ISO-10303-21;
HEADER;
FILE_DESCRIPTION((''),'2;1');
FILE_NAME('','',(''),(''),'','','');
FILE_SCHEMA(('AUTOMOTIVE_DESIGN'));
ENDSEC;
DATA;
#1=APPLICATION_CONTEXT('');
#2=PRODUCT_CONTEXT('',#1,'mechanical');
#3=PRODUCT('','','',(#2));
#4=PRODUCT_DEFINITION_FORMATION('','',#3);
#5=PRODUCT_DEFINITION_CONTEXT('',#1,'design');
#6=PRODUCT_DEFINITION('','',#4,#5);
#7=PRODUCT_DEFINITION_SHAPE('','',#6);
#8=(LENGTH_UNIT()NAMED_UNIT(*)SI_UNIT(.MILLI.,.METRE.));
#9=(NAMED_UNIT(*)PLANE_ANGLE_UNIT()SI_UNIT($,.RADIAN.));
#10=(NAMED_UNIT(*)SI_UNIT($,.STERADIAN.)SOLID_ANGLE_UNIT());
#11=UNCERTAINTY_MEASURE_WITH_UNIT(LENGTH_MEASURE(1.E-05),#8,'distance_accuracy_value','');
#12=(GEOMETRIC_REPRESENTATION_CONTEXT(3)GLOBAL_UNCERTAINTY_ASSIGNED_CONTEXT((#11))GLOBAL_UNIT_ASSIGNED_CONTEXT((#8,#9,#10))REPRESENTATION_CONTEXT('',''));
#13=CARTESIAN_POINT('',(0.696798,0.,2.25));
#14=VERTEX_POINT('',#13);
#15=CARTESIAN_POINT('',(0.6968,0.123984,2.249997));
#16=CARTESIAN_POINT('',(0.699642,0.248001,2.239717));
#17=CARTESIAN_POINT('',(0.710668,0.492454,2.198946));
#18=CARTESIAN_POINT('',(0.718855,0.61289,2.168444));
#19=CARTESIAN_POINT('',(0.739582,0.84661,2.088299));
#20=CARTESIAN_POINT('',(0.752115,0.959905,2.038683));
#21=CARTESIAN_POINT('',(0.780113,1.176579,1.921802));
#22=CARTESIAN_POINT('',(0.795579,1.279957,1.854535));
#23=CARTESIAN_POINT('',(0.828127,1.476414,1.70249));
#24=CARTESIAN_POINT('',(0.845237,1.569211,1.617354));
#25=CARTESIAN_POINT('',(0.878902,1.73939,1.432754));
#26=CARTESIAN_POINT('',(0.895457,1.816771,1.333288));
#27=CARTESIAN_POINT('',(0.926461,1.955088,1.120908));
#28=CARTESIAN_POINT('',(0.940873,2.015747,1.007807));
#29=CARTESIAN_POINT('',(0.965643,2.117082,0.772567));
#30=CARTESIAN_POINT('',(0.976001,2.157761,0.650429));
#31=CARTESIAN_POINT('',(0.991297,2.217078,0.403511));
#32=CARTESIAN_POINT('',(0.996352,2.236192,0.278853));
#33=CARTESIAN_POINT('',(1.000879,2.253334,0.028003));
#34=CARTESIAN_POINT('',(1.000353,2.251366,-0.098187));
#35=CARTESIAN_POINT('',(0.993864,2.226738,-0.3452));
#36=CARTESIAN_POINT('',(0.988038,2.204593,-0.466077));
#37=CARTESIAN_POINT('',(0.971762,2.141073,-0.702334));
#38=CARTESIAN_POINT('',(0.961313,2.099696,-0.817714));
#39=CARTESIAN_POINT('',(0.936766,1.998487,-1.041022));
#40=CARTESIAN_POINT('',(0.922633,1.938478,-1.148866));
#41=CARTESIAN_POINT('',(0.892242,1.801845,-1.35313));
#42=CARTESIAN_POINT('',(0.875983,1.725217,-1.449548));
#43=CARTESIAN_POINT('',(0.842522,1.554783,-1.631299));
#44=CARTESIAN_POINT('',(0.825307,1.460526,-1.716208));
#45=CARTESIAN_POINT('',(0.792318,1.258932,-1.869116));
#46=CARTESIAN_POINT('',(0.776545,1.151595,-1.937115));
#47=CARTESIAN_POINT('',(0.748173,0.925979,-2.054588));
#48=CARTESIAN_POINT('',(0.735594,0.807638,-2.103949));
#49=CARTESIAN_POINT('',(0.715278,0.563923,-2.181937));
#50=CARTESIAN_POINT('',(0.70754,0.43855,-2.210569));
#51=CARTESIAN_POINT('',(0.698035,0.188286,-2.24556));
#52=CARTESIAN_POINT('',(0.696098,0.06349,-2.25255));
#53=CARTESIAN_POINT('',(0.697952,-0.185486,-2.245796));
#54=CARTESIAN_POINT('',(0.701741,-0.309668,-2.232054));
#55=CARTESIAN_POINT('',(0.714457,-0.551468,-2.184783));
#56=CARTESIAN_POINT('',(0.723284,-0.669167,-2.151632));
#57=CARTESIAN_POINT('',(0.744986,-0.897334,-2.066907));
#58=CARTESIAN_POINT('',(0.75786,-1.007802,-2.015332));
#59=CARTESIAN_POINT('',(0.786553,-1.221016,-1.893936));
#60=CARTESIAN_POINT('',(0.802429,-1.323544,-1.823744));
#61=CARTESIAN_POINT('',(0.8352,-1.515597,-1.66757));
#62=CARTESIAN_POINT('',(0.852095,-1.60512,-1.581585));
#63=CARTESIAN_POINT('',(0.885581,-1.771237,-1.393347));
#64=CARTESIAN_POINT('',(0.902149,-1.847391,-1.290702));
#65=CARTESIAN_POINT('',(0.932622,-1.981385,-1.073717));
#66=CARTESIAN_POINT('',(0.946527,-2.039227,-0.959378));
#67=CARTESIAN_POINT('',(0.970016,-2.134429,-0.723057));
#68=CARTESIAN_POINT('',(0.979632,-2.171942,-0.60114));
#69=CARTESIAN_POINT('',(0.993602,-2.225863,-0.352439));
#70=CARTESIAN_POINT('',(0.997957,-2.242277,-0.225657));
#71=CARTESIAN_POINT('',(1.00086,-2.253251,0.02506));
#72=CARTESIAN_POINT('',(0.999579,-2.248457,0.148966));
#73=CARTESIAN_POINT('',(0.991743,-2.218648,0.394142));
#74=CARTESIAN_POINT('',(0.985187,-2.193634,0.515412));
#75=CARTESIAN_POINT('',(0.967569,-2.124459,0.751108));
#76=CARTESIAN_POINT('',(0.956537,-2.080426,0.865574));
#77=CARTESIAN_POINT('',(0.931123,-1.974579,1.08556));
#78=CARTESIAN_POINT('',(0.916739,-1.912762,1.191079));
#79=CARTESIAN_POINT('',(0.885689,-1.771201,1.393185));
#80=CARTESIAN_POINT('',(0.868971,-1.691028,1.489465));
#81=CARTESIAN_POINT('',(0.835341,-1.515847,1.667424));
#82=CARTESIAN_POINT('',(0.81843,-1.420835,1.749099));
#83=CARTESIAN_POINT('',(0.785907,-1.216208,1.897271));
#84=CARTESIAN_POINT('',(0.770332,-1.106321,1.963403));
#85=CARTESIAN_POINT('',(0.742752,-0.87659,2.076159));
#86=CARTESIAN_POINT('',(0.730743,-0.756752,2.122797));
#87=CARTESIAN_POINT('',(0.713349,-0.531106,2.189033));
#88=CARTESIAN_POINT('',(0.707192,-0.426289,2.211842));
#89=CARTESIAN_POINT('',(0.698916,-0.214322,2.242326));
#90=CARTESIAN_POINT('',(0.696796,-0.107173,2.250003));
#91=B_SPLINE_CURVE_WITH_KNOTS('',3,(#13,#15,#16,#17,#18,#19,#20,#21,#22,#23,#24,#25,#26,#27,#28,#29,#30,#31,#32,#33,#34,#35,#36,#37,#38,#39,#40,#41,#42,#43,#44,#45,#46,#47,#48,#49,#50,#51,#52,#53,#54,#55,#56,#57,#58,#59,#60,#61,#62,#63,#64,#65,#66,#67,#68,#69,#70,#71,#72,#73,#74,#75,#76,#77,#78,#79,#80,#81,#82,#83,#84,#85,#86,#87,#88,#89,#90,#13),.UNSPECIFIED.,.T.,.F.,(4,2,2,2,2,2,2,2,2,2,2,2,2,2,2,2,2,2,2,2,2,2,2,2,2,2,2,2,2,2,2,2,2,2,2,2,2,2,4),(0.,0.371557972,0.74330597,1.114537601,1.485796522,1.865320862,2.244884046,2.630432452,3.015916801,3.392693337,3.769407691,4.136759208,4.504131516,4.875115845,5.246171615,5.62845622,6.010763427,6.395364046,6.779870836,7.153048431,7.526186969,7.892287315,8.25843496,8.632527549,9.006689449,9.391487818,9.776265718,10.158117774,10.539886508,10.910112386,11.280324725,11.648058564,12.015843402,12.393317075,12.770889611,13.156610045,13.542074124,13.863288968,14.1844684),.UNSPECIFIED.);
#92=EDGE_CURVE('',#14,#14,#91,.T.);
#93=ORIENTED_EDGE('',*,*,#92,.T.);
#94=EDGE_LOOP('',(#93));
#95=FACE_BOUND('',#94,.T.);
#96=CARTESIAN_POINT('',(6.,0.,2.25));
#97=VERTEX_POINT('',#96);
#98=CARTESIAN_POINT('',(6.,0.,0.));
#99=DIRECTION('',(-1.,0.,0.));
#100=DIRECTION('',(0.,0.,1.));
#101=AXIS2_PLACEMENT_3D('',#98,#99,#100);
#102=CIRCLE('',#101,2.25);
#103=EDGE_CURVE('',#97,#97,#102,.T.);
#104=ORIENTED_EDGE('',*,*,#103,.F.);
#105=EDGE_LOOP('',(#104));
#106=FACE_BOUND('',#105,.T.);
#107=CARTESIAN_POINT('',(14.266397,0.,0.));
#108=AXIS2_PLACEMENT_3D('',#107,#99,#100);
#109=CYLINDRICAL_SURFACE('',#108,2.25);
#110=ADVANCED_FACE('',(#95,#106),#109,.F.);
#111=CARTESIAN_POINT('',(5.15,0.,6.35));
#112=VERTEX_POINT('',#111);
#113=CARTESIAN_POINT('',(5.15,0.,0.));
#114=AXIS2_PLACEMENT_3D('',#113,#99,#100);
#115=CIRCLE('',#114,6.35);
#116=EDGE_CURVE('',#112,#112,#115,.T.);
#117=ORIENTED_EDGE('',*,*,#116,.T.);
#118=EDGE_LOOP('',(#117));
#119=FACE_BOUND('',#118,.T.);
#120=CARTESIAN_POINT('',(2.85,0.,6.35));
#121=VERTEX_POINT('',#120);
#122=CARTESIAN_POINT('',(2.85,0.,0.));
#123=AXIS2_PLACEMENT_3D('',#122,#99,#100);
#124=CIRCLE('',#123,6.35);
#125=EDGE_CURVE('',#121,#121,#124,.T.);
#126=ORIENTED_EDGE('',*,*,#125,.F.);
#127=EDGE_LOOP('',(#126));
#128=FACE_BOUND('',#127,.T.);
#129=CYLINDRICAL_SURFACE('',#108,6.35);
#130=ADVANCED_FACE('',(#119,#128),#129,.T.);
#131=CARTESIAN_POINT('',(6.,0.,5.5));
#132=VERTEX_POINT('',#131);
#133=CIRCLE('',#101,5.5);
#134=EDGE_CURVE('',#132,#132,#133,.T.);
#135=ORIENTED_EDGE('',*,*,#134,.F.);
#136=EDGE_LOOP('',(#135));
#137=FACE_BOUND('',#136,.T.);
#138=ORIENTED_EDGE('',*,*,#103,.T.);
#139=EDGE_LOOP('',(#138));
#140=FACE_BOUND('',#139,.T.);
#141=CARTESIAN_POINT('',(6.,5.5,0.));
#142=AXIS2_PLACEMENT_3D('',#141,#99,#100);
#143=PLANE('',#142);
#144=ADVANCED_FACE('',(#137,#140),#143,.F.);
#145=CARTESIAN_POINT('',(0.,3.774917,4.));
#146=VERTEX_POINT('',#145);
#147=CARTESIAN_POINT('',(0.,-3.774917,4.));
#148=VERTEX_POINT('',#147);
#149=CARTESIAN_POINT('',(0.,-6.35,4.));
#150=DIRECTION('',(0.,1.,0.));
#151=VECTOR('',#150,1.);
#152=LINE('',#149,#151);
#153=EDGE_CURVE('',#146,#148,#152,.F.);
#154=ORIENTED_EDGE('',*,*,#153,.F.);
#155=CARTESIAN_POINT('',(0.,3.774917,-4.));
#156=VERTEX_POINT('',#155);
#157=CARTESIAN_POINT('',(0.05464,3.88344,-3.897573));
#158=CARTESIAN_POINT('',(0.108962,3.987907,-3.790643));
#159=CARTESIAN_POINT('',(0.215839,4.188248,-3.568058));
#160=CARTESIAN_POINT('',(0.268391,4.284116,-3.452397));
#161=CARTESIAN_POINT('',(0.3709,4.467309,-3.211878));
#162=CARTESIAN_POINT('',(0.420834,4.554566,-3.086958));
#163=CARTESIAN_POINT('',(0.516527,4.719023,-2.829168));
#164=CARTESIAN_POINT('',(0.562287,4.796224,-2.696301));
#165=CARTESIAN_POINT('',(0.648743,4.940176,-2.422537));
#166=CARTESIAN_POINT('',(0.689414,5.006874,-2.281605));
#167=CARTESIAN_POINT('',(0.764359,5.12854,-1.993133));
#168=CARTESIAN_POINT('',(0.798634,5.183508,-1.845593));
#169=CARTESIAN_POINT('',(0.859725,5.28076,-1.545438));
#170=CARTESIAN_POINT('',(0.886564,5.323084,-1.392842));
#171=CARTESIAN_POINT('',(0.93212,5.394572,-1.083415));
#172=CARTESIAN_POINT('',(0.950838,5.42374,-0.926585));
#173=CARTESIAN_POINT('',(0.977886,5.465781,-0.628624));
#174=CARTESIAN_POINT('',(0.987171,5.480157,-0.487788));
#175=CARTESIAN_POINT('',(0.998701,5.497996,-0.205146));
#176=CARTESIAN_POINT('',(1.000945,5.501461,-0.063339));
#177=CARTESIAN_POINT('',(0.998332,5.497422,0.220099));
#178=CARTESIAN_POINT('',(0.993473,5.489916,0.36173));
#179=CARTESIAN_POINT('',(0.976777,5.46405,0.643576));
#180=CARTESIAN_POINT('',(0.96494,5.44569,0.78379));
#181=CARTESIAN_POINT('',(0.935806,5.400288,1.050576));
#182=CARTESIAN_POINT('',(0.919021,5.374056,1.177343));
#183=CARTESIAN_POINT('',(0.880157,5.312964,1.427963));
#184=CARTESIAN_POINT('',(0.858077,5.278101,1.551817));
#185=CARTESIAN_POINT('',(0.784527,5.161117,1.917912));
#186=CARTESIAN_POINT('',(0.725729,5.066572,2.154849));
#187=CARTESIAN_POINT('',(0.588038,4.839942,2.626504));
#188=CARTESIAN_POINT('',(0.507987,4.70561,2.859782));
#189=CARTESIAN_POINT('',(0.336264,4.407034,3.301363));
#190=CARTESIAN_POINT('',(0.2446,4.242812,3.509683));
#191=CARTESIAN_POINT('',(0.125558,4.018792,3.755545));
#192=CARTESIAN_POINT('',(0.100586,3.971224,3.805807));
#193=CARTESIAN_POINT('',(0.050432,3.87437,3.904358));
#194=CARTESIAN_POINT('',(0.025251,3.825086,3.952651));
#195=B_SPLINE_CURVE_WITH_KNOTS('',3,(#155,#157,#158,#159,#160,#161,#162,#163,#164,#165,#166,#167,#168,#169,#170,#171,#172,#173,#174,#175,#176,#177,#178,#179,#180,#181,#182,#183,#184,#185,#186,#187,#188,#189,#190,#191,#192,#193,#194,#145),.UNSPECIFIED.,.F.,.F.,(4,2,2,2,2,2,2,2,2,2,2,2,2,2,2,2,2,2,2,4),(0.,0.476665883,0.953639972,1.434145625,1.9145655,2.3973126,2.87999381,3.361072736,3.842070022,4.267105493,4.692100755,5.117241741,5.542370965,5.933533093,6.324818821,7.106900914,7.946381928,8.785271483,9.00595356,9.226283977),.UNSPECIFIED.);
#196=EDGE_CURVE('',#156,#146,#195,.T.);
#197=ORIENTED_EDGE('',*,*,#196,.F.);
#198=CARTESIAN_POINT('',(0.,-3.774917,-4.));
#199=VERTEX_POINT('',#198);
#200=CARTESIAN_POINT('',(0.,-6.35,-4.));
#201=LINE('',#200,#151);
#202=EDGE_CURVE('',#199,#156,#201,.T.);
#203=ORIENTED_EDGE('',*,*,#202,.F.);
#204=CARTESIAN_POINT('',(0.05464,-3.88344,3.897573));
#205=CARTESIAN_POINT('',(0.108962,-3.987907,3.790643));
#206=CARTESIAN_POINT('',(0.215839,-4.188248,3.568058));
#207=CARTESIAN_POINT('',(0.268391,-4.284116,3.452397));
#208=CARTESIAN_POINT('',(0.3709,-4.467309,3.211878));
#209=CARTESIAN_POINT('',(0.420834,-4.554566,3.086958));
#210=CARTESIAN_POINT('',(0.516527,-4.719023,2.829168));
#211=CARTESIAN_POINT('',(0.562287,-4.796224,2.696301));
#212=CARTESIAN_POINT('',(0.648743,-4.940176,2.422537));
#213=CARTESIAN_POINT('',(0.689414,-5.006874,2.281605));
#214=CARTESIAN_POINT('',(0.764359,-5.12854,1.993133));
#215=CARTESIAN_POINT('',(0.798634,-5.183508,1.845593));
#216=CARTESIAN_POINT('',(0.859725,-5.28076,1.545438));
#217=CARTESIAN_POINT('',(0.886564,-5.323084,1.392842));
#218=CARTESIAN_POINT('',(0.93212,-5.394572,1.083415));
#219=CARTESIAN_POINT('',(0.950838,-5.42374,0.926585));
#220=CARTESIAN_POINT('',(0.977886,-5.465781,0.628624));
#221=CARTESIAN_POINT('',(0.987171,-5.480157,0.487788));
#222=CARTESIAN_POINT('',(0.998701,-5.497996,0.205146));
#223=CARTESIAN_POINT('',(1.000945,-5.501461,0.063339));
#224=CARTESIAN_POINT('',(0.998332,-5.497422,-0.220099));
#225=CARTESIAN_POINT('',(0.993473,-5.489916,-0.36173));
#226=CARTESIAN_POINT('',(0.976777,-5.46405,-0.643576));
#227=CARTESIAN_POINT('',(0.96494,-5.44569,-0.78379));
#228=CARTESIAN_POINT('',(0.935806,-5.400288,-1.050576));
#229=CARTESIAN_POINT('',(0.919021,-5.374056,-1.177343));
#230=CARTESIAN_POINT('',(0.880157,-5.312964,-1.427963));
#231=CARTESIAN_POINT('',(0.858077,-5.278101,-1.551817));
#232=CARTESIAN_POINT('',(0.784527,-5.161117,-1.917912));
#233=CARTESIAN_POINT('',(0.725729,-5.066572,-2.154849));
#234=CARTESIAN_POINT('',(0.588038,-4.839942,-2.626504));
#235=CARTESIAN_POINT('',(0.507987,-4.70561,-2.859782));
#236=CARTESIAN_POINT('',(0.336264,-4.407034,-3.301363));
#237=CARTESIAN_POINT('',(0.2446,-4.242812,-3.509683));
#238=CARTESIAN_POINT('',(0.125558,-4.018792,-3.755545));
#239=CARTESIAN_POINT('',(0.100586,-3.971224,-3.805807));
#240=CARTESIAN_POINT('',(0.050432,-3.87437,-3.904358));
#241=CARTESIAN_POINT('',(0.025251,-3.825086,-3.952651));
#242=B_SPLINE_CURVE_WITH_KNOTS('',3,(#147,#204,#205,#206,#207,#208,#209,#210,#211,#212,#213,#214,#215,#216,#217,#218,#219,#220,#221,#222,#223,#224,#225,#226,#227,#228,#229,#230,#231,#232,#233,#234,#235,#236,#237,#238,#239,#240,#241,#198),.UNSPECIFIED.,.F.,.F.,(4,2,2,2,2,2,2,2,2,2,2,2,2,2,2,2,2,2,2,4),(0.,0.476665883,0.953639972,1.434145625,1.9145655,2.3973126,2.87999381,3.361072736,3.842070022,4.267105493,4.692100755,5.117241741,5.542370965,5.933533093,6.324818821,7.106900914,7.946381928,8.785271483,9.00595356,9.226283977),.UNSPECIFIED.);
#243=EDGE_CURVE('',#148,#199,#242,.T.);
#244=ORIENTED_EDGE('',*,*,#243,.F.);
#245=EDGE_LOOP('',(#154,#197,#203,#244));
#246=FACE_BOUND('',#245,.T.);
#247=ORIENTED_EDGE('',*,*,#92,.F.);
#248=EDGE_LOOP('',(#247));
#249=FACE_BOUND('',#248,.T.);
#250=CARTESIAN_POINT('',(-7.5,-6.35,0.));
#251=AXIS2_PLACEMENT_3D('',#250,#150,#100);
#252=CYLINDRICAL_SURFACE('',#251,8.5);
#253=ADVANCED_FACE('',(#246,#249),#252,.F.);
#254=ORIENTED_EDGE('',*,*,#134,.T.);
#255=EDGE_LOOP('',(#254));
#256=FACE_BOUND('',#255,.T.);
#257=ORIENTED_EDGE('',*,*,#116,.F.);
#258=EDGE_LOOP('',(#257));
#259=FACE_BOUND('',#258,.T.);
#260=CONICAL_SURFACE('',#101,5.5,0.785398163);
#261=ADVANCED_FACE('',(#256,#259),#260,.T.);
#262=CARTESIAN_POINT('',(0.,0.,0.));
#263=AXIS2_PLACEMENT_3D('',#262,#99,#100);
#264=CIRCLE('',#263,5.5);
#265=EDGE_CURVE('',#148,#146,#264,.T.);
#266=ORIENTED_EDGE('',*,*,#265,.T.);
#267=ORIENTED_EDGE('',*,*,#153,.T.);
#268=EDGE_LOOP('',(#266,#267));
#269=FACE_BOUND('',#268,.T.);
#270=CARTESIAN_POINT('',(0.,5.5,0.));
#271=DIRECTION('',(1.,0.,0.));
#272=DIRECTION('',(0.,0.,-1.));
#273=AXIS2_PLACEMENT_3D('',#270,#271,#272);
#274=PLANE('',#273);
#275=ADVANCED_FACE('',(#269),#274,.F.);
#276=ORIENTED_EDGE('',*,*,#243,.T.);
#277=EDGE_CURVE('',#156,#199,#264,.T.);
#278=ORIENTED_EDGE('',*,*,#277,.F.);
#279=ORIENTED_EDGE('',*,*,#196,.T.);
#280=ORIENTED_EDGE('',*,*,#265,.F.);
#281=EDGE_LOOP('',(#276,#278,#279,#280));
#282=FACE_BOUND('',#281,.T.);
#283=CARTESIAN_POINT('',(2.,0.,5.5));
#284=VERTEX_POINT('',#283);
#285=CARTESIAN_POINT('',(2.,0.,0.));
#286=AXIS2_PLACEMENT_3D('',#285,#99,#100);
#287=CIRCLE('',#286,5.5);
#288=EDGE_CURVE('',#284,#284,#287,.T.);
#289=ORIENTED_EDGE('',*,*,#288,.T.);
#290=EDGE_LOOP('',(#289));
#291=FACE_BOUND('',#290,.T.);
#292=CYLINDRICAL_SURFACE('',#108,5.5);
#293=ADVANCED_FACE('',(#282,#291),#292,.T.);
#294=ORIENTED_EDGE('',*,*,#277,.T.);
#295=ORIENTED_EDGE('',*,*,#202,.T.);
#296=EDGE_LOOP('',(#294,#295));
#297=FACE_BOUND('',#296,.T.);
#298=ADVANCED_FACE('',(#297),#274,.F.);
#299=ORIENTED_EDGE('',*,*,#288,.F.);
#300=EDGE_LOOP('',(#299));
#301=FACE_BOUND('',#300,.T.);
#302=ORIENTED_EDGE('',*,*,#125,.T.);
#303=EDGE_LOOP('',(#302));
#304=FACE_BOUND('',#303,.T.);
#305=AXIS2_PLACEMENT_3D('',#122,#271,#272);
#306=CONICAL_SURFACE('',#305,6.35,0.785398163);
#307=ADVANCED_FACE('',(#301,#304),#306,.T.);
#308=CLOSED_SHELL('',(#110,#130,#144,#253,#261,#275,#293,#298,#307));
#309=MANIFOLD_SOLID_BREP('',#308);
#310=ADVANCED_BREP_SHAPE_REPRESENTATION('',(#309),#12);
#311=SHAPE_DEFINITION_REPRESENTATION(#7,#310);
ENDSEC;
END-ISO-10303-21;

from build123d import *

# Parameters (mm, degrees)
ESBO_O2_R                  = 8.5
CORTE_EXTRUS_O1_DEPTH      = 7.35
CORTE_EXTRUS_O1_DEPTH_BACK = 7.35


with BuildPart() as part:
    # Esboço1 → Revolução1 (revolve)
    with BuildSketch(Plane.XY):
        Polygon((0, 5.5), (2, 5.5), (2.85, 6.35), (5.15, 6.35), (6, 5.5), (6, 2.25), (0.692820323, 2.25), (0, 2.65), align=None)
    revolve(axis=Axis((14.266397253, 0, 0), (1, 0, 0)))

    # Esboço2 → Corte-extrusão1 (cut, two sides)
    with BuildSketch(Plane(origin=(0, 0, 0), x_dir=(1, 0, 0), z_dir=(0, 1, 0))) as corte_extrus_o1_sk:
        with Locations((-7.5, 0)):
            Circle(ESBO_O2_R)
    extrude(amount=CORTE_EXTRUS_O1_DEPTH, mode=Mode.SUBTRACT)
    extrude(corte_extrus_o1_sk.sketch, amount=-CORTE_EXTRUS_O1_DEPTH_BACK, mode=Mode.SUBTRACT)


solid = part.part
